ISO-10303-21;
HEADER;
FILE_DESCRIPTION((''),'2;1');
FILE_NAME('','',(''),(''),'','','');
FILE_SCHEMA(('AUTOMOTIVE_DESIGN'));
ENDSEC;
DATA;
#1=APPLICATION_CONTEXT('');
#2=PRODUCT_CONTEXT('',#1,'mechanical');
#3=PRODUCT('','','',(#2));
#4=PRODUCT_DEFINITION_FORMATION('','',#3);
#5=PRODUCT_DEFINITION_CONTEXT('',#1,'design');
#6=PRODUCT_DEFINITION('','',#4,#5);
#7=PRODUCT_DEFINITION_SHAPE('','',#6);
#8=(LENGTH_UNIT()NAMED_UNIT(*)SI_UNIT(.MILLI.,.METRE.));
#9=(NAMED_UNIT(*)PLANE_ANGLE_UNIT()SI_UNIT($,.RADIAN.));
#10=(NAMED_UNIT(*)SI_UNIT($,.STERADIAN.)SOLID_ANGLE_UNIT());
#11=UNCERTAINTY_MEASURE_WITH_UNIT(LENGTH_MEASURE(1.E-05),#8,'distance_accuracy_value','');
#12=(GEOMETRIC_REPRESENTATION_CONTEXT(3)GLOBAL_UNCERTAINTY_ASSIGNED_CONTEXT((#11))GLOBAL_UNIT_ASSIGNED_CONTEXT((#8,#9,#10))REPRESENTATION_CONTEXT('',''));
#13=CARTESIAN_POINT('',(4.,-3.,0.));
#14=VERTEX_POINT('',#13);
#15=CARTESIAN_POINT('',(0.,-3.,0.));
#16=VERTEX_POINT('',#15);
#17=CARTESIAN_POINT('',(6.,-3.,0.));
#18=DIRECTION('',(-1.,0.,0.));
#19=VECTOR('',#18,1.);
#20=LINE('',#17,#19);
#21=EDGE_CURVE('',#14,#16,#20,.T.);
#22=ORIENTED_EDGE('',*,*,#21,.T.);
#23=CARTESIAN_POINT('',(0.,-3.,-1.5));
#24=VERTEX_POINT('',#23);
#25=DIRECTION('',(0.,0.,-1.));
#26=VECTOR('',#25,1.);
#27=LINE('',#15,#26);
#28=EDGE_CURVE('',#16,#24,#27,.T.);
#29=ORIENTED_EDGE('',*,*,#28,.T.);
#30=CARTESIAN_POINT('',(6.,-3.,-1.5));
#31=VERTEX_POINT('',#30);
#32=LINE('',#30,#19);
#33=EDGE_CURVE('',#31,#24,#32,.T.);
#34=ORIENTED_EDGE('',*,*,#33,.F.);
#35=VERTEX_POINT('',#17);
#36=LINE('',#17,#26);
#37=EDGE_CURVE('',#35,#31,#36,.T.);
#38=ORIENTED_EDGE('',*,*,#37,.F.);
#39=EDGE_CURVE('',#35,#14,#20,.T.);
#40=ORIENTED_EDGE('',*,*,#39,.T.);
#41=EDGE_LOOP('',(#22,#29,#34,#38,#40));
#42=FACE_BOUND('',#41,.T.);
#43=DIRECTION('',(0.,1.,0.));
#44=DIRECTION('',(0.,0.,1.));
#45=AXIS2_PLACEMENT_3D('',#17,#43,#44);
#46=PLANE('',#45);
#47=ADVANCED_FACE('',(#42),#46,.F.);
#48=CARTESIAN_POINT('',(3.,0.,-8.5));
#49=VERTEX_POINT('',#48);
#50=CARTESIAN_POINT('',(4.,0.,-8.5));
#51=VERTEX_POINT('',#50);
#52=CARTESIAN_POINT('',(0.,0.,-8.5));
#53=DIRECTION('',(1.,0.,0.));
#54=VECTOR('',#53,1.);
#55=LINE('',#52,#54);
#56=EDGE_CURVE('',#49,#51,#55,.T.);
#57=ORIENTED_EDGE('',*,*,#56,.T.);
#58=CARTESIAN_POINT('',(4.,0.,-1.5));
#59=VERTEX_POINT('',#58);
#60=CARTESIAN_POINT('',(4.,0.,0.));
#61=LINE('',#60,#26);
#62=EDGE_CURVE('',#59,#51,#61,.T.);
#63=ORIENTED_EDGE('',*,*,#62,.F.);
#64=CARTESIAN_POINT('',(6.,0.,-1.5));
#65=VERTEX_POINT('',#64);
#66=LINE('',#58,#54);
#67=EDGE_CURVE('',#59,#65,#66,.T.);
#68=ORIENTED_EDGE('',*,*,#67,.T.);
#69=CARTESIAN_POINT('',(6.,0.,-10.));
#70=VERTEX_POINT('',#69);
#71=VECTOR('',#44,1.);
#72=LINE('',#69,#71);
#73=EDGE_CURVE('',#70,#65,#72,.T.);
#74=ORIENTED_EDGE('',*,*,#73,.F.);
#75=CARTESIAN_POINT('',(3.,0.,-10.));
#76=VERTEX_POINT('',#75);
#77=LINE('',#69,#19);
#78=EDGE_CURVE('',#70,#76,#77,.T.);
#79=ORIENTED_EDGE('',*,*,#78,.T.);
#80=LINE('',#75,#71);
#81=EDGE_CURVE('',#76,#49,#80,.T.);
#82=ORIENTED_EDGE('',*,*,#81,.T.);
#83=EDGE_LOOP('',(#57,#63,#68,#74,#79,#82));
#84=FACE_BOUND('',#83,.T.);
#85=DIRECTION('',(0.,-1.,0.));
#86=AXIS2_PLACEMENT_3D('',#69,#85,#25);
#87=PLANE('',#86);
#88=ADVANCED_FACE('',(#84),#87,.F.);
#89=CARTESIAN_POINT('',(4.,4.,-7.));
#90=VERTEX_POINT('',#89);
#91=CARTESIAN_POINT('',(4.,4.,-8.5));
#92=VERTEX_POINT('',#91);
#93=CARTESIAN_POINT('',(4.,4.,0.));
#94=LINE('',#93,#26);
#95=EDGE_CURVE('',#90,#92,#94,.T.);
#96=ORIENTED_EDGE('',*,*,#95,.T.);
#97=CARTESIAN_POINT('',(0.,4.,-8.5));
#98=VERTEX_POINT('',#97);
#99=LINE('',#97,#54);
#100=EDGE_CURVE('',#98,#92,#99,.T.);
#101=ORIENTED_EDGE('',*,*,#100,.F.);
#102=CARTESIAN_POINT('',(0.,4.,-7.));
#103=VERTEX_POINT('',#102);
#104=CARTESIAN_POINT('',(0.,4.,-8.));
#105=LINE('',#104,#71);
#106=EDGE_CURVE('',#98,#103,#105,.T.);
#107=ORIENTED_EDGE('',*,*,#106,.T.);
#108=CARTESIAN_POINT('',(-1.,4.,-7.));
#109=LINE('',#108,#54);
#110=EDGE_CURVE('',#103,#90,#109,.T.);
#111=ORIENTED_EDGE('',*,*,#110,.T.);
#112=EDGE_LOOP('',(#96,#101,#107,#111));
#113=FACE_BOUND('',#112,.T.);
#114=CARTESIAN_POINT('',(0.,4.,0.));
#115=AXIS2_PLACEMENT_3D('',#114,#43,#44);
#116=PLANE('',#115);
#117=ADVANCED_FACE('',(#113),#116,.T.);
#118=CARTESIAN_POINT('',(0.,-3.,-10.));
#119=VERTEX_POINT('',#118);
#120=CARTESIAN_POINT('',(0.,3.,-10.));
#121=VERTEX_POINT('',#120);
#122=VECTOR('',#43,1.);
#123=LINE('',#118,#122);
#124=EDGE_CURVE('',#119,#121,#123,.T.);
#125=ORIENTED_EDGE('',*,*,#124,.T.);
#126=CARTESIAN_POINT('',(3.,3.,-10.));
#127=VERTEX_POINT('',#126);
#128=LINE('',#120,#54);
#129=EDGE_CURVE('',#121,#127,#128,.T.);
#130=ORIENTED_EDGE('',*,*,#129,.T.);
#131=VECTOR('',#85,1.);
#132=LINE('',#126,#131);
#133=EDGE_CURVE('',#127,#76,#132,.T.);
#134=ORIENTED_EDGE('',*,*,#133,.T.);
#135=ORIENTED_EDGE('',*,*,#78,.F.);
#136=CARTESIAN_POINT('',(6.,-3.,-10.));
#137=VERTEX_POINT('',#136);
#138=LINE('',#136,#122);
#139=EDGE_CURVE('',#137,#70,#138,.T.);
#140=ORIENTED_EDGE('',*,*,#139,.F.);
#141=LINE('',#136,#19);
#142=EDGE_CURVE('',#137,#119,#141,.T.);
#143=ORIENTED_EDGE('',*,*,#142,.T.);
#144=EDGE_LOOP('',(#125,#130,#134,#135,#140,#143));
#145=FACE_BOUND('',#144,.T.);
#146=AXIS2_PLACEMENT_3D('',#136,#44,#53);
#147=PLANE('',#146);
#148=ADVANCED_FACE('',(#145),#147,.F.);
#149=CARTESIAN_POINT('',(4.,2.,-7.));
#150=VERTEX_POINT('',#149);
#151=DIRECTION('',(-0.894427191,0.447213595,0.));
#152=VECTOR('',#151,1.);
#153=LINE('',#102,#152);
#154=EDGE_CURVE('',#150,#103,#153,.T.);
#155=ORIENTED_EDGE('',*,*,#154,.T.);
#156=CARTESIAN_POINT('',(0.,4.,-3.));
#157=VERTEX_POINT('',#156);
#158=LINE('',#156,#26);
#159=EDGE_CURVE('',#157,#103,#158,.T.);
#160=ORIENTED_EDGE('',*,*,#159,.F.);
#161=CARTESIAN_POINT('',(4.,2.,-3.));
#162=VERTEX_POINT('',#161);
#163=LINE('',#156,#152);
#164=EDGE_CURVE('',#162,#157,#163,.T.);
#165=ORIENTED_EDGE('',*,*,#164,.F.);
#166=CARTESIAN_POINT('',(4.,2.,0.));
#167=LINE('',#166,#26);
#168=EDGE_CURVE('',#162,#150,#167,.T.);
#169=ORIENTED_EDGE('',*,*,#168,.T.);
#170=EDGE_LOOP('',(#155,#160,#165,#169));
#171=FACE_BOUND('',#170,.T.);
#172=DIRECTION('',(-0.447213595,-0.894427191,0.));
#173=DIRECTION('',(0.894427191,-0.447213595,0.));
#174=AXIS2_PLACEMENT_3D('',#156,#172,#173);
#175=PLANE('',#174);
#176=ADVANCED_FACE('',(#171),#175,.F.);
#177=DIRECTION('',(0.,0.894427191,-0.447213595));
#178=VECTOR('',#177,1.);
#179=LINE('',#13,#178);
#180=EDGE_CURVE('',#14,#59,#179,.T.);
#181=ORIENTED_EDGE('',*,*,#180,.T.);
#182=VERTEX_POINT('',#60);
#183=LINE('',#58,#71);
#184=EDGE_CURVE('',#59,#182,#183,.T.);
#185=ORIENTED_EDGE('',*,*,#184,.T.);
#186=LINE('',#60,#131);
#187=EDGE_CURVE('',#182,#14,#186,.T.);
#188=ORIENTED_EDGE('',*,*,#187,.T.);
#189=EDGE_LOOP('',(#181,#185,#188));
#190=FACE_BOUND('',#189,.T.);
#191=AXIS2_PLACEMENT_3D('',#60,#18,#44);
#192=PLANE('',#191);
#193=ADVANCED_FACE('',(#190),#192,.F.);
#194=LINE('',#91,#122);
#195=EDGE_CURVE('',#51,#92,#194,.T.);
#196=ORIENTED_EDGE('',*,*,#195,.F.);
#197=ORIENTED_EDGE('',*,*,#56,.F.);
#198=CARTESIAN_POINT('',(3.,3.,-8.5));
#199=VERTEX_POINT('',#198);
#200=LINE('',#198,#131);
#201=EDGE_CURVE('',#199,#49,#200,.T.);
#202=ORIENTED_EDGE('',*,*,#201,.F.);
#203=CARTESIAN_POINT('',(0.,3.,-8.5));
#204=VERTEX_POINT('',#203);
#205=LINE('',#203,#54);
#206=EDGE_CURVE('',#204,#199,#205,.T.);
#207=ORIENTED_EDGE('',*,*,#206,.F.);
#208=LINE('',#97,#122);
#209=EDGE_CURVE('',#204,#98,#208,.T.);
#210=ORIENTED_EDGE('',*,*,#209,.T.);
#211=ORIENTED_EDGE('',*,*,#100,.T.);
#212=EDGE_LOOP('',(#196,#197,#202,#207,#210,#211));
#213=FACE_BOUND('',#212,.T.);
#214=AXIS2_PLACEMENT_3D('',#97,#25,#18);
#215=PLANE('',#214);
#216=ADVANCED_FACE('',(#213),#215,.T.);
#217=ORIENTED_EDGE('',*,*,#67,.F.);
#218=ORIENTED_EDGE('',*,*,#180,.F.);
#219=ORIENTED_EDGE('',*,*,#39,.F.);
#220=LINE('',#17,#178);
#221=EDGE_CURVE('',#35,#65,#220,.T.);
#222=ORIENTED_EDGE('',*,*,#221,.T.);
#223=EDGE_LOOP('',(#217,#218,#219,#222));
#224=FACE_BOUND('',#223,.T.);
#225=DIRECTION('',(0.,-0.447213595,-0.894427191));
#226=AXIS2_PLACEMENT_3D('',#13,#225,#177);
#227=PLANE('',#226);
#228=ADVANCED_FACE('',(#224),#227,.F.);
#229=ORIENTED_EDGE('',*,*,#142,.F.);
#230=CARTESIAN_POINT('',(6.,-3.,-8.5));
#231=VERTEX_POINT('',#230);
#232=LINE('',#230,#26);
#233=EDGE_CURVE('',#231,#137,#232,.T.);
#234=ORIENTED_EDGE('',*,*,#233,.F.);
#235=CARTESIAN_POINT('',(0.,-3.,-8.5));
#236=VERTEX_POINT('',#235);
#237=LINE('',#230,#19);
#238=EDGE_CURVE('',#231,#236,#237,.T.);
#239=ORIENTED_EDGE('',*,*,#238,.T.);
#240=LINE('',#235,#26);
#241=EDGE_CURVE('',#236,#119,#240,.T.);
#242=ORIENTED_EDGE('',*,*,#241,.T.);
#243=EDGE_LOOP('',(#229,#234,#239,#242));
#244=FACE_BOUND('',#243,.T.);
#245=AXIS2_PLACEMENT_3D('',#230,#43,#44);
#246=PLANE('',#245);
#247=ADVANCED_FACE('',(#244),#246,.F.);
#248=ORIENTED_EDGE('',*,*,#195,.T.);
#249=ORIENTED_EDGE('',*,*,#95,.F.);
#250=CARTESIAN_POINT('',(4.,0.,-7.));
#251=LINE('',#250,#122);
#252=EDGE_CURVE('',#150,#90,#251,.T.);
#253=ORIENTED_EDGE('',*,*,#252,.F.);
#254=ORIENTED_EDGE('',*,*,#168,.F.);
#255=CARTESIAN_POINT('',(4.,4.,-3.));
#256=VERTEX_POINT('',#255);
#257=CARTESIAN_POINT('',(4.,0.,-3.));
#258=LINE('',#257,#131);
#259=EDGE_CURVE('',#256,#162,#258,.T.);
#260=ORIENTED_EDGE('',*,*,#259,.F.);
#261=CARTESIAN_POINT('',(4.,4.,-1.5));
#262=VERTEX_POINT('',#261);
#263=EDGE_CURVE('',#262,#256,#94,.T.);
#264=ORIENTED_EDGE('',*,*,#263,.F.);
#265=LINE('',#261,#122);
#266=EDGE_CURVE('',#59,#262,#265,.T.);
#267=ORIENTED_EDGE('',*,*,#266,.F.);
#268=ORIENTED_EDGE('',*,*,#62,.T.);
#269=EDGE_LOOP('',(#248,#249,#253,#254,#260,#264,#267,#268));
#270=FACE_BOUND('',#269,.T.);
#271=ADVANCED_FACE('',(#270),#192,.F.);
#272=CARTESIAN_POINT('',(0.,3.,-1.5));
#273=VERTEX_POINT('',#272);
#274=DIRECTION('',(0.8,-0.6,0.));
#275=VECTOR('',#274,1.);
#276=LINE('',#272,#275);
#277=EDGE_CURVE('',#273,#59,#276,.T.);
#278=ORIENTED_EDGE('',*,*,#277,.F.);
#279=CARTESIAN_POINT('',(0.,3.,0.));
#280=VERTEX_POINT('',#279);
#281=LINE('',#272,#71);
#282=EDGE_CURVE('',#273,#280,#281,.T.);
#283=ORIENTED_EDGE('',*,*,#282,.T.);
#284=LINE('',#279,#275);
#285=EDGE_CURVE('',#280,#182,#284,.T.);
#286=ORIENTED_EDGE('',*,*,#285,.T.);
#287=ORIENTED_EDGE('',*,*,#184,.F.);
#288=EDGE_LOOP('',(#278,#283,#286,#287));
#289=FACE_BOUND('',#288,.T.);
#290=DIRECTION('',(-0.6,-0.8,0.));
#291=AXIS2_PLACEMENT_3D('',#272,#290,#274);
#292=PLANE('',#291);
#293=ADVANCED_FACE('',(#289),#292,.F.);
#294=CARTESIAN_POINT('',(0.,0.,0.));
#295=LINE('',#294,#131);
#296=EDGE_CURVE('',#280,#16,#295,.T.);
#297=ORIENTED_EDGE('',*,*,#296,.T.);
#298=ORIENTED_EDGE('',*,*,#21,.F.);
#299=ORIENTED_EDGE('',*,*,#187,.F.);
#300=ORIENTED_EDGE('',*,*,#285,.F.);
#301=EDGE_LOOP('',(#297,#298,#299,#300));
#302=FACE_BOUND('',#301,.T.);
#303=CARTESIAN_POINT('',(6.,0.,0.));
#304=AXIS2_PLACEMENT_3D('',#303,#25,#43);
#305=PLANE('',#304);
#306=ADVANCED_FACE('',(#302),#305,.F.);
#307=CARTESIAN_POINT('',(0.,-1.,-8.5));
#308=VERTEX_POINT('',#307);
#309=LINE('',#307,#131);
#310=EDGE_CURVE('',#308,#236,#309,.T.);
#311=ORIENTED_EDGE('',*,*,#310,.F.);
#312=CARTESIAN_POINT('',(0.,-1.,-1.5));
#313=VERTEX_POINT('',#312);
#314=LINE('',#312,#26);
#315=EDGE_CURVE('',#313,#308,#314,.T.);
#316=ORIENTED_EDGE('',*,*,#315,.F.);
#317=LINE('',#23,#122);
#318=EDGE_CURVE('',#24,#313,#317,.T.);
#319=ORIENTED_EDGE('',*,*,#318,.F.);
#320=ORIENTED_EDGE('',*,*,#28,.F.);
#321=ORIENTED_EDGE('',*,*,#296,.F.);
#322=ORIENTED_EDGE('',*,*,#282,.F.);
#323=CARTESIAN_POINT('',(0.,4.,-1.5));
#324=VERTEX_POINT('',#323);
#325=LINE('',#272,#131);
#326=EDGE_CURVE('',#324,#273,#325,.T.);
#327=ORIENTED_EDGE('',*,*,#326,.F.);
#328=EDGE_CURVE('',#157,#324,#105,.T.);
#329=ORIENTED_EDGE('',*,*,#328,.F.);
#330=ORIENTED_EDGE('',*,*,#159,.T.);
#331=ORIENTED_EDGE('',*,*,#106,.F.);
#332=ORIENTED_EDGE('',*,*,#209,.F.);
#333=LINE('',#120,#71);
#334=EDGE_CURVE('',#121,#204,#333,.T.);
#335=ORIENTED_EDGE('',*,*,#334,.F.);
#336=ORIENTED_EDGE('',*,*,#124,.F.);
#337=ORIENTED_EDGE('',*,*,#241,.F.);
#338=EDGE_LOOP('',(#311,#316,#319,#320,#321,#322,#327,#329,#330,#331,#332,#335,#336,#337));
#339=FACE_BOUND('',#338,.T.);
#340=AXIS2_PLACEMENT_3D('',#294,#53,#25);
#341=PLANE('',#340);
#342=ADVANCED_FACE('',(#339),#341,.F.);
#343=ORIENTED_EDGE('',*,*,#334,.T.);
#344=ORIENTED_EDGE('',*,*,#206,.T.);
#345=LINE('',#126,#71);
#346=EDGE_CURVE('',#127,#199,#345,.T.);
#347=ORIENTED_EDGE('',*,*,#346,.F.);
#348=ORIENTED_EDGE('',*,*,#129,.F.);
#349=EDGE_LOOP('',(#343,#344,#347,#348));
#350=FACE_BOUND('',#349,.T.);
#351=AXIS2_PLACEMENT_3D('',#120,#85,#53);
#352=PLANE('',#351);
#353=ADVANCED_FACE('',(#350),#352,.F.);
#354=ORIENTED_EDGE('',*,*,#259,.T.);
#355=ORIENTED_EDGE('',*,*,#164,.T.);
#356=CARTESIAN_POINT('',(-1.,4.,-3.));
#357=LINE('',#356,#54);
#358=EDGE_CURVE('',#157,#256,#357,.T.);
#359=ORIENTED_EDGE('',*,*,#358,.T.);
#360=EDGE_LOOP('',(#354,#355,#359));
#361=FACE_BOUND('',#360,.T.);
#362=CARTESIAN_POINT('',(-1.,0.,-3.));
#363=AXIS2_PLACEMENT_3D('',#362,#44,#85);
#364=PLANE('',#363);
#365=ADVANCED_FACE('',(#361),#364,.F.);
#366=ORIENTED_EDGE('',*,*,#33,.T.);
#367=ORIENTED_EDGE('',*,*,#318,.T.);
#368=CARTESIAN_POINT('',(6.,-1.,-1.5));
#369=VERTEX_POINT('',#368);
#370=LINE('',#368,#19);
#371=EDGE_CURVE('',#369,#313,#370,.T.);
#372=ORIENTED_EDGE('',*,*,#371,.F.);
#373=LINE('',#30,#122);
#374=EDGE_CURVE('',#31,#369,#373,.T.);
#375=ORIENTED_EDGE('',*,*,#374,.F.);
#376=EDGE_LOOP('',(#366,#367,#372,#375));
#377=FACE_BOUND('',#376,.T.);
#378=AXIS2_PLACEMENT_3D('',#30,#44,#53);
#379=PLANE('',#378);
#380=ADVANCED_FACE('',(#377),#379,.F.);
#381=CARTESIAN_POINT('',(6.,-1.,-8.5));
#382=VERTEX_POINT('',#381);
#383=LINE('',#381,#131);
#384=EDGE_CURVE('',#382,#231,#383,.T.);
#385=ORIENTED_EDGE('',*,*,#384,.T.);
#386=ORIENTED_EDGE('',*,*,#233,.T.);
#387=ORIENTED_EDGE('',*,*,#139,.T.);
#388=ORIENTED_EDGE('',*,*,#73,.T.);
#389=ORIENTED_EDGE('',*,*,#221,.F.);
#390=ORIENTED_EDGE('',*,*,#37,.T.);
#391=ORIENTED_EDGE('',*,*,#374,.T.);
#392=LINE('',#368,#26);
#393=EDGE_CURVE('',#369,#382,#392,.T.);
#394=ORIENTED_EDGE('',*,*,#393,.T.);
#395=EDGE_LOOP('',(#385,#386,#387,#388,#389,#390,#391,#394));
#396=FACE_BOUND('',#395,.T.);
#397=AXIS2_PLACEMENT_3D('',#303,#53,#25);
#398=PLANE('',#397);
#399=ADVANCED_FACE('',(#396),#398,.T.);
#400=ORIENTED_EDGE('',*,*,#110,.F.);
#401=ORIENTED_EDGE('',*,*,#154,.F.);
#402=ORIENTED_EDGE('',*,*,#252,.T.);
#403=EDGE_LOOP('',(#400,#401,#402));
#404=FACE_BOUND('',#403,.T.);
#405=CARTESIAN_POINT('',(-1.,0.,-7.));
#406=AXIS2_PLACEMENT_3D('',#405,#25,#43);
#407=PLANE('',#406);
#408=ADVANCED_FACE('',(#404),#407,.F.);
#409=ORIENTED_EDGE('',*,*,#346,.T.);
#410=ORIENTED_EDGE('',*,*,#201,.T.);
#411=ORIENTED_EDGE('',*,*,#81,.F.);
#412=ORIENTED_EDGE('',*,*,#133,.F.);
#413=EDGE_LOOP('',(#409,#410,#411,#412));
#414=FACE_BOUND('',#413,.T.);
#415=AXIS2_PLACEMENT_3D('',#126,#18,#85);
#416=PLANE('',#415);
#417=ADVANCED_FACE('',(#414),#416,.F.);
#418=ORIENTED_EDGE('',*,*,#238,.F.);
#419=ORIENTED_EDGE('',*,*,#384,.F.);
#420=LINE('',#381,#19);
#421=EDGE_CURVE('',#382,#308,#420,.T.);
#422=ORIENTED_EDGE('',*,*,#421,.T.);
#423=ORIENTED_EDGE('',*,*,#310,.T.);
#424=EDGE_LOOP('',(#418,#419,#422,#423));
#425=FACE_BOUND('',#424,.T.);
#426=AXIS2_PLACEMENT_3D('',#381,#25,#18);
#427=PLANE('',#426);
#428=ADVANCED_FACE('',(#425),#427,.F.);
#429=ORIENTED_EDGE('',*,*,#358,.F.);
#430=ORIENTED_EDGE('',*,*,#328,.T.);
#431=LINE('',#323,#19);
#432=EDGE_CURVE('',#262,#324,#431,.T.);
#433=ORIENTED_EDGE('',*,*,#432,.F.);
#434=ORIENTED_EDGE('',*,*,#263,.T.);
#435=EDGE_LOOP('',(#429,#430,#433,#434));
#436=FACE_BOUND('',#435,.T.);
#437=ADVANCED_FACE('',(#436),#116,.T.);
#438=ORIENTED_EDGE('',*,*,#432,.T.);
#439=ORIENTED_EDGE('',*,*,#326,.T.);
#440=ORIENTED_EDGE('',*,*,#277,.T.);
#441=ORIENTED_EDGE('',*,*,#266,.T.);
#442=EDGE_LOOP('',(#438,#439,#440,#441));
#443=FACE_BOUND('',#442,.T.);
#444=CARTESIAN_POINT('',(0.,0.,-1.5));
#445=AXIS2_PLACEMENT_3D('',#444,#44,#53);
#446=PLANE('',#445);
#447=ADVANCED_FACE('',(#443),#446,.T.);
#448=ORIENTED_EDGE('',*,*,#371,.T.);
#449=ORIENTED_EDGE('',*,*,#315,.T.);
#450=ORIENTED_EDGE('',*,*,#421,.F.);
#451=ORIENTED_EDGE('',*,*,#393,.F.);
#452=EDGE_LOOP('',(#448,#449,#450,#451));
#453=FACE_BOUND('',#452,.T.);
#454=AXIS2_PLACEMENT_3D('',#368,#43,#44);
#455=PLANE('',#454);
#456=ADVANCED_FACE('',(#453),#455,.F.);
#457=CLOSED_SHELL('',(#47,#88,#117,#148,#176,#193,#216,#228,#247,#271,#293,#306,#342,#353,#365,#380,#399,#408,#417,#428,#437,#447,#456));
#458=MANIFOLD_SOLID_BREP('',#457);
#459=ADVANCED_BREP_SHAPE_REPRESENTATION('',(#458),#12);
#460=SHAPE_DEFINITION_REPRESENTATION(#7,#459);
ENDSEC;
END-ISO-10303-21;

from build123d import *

# Parameters (mm, degrees)
SALIENTE_EXTRUIR2_DEPTH = 6
CORTAR_EXTRUIR2_DEPTH   = 2
CROQUIS6_W              = 4
CROQUIS6_H              = 8
SALIENTE_EXTRUIR3_DEPTH = 4
CORTAR_EXTRUIR3_DEPTH   = 1.5
CROQUIS9_W              = 4
CROQUIS9_H              = 2
CORTAR_EXTRUIR4_DEPTH   = 5
CROQUIS10_W             = 1.5
CROQUIS10_H             = 4
SALIENTE_EXTRUIR4_DEPTH = 4
SALIENTE_EXTRUIR5_DEPTH = 4
CROQUIS13_W             = 3
CROQUIS13_H             = 3
SALIENTE_EXTRUIR6_DEPTH = 1.5


with BuildPart() as part:
    # Croquis2 → Saliente-Extruir2 (new body)
    with BuildSketch(Plane(origin=(0, 0, 0), x_dir=(0, 0, -1), z_dir=(1, 0, 0))):
        Polygon((0, 0), (0, -3), (1.5, -3), (1.5, -1), (8.5, -1), (8.5, -3), (10, -3), (10, 0), align=None)
    extrude(amount=SALIENTE_EXTRUIR2_DEPTH)

    # Croquis5 → Cortar-Extruir2 (cut)
    with BuildSketch(Plane(origin=(6, 0, 0), x_dir=(0, 0, -1), z_dir=(1, 0, 0))):
        Polygon((0, -3), (1.5, 0), (0, 0), align=None)
    extrude(amount=-CORTAR_EXTRUIR2_DEPTH, mode=Mode.SUBTRACT)

    # Croquis6 → Saliente-Extruir3 (add)
    with BuildSketch(Plane(origin=(0, 0, 0), x_dir=(1, 0, 0), z_dir=(0, 1, 0))):
        with Locations((2, 4)):
            Rectangle(CROQUIS6_W, CROQUIS6_H)
    extrude(amount=SALIENTE_EXTRUIR3_DEPTH)

    # Croquis7 → Cortar-Extruir3 (cut)
    with BuildSketch(Plane.XY):
        Polygon((0, 3), (4, 0), (4, 4), (0, 4), align=None)
    extrude(amount=-CORTAR_EXTRUIR3_DEPTH, mode=Mode.SUBTRACT)

    # Croquis9 → Cortar-Extruir4 (cut)
    with BuildSketch(Plane(origin=(4, 0, 0), x_dir=(0, 0, -1), z_dir=(1, 0, 0))):
        with Locations((5, 3)):
            Rectangle(CROQUIS9_W, CROQUIS9_H)
    extrude(amount=-CORTAR_EXTRUIR4_DEPTH, mode=Mode.SUBTRACT)

    # Croquis10 → Saliente-Extruir4 (add)
    with BuildSketch(Plane(origin=(4, 0, 0), x_dir=(0, 0, -1), z_dir=(1, 0, 0))):
        with Locations((7.75, 2)):
            Rectangle(CROQUIS10_W, CROQUIS10_H)
    extrude(amount=-SALIENTE_EXTRUIR4_DEPTH)

    # Croquis12 → Saliente-Extruir5 (add)
    with BuildSketch(Plane.XY.offset(-7)):
        Polygon((0, 4), (4, 2), (0, 2), align=None)
    extrude(amount=SALIENTE_EXTRUIR5_DEPTH)

    # Croquis13 → Saliente-Extruir6 (add)
    with BuildSketch(Plane(origin=(0, 0, -8.5), x_dir=(-1, 0, 0), z_dir=(0, 0, -1))):
        with Locations((-1.5, 1.5)):
            Rectangle(CROQUIS13_W, CROQUIS13_H)
    extrude(amount=SALIENTE_EXTRUIR6_DEPTH)


solid = part.part
